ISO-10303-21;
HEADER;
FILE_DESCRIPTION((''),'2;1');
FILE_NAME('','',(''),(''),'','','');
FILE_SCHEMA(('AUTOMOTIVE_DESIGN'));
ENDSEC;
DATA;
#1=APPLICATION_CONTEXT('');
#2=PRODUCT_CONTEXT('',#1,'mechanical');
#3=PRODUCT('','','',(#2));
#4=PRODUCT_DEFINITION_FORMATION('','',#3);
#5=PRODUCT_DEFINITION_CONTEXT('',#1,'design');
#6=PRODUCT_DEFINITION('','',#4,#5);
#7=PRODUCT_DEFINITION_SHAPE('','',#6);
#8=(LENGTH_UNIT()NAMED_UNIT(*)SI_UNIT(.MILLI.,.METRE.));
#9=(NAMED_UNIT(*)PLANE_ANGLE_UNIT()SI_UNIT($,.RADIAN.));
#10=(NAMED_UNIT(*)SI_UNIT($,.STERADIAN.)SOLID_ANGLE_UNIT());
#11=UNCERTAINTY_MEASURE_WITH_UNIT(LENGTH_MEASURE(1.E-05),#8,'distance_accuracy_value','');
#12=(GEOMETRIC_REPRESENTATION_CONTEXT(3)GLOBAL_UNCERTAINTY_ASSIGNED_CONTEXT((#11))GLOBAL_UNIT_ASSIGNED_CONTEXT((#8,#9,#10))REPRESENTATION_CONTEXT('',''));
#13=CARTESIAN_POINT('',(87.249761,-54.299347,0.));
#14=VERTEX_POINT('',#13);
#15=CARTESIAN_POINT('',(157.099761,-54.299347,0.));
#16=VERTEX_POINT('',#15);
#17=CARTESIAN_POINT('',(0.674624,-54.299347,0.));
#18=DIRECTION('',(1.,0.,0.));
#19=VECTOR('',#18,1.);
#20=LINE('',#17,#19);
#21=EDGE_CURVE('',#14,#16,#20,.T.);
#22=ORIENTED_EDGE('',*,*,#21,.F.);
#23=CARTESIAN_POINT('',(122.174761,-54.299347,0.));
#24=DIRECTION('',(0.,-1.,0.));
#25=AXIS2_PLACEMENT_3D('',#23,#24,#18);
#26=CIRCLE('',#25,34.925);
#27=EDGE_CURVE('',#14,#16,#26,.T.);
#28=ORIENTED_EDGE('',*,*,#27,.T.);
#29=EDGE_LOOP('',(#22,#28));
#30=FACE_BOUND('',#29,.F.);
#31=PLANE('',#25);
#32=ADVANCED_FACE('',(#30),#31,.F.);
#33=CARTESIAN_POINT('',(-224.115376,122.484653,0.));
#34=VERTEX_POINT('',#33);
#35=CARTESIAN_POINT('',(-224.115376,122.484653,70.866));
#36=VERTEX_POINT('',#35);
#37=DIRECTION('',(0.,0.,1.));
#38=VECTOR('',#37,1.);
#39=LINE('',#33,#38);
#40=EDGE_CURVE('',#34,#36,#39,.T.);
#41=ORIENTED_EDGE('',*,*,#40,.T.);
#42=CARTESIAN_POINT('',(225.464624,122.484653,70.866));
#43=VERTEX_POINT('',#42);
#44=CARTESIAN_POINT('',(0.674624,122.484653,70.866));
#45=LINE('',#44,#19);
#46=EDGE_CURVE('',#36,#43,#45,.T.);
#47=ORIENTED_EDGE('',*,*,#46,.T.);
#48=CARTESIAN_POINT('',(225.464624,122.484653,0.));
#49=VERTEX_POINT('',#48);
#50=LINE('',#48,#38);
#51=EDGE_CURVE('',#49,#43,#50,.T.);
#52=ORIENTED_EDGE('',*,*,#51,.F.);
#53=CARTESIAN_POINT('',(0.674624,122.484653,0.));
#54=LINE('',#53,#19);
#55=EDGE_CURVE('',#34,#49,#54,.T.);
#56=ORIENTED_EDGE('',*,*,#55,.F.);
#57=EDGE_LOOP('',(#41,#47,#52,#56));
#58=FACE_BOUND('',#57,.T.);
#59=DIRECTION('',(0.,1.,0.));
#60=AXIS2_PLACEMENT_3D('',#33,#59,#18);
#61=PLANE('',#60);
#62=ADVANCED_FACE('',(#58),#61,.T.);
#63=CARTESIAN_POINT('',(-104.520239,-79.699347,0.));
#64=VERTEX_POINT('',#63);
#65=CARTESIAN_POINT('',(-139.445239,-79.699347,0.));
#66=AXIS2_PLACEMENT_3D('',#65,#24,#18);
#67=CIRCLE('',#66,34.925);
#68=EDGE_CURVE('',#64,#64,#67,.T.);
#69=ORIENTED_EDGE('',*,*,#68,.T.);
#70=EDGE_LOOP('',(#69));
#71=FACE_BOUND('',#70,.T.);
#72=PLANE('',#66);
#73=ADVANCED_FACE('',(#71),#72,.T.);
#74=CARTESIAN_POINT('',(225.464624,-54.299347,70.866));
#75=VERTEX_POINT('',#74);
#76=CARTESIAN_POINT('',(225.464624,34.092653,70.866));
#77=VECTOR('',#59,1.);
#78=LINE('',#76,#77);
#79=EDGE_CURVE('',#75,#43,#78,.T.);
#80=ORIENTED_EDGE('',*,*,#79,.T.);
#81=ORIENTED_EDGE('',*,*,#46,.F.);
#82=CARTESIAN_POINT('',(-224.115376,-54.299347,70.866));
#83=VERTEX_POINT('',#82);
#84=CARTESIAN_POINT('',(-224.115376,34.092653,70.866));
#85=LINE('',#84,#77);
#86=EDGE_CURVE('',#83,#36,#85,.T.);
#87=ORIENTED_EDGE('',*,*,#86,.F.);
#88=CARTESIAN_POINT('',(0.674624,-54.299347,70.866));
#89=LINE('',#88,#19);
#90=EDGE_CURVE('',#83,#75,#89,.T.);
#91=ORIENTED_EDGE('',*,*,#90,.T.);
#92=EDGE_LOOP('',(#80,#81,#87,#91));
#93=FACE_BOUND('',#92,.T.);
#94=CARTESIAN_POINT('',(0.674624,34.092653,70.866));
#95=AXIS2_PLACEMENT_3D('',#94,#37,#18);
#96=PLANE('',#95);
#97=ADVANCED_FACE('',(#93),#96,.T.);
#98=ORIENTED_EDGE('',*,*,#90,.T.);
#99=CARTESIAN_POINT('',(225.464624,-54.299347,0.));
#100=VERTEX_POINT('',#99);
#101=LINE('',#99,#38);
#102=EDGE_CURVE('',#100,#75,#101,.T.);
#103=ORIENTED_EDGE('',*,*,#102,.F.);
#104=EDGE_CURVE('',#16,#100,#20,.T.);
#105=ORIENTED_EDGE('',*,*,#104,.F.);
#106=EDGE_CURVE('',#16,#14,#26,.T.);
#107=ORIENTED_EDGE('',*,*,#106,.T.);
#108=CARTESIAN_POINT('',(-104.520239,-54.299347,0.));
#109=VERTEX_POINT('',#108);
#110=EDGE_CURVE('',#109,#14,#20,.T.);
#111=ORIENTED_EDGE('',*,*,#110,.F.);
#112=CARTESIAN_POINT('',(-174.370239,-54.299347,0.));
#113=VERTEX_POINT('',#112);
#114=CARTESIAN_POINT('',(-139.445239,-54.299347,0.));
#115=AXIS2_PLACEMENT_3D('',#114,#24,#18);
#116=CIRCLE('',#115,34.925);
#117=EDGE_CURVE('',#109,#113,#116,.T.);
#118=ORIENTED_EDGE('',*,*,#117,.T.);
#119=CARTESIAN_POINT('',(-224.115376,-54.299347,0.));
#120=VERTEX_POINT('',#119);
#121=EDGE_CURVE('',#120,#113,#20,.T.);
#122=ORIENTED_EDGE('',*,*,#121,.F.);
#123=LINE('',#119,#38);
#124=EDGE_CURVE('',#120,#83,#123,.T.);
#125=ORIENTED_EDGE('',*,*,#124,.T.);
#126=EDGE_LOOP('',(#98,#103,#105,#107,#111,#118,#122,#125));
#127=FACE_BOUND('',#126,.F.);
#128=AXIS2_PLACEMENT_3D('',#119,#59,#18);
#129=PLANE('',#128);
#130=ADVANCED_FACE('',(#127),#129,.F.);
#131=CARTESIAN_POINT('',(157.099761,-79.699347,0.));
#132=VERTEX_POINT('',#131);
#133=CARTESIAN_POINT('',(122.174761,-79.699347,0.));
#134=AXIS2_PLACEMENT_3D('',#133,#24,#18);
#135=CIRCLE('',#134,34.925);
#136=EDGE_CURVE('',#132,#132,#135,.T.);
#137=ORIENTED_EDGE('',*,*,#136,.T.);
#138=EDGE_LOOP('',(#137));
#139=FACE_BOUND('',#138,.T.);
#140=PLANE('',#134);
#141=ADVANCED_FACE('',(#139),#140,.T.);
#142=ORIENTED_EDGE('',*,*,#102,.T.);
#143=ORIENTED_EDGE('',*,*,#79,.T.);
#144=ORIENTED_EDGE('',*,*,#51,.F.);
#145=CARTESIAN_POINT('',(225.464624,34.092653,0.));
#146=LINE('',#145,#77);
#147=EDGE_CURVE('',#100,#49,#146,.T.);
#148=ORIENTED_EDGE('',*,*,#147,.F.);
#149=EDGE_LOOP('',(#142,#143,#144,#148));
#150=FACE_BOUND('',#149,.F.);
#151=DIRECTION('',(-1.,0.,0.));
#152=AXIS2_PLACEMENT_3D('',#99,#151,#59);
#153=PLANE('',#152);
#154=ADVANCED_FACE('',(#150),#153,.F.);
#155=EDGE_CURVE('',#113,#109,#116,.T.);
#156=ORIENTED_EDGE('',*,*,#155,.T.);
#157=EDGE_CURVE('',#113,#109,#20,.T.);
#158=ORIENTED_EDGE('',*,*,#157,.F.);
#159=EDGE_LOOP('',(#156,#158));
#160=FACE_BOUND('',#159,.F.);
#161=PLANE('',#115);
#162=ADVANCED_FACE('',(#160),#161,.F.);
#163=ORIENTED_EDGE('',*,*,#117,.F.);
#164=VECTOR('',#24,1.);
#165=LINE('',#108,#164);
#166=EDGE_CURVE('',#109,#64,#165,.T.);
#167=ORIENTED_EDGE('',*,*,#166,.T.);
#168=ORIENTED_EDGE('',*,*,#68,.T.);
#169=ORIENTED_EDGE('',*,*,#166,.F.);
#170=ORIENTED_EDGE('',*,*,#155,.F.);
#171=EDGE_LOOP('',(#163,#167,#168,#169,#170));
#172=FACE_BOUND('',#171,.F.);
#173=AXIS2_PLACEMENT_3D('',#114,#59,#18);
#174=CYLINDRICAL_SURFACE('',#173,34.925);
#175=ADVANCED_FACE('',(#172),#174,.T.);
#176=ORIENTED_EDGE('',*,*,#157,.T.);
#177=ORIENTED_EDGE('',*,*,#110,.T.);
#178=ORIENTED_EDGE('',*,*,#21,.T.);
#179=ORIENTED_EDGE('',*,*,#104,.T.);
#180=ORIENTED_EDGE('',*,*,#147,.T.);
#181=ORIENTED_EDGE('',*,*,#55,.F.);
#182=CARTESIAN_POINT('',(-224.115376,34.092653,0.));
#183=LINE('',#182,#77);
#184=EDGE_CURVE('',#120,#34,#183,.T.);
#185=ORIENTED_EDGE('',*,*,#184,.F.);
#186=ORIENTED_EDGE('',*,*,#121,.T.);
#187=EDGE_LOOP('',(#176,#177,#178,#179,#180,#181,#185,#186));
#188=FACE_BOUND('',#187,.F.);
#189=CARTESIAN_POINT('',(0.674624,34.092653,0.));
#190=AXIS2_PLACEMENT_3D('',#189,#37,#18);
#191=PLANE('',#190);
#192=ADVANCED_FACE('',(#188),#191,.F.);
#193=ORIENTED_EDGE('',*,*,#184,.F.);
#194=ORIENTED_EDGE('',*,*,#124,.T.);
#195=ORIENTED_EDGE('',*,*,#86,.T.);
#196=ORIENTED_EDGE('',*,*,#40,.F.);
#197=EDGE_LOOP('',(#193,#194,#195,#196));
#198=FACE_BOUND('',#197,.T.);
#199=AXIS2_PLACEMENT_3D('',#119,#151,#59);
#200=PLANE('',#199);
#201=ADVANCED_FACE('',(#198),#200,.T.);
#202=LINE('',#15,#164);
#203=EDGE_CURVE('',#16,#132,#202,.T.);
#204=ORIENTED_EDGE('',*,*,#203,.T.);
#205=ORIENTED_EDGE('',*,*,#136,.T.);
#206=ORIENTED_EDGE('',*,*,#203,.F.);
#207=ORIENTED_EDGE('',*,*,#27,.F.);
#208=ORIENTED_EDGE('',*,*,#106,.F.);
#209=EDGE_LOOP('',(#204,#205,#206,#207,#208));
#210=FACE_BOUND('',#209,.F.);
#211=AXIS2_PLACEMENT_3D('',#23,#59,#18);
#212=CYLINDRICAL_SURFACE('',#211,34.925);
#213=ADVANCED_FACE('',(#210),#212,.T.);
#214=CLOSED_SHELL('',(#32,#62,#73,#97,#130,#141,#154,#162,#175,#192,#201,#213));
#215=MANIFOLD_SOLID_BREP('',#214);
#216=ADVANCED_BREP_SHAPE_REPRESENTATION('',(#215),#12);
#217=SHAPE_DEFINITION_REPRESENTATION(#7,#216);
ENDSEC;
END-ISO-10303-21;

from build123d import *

# Parameters (mm, degrees)
F0_W     = 449.58
F0_H     = 176.784
F1_DEPTH = 70.866
F2_R     = 34.925
F3_DEPTH = 25.4


with BuildPart() as f1:
    # F0 (on Top) → F1 (new body)
    with BuildSketch(Plane.XY):
        with Locations((0.674624, 34.092653)):
            Rectangle(F0_W, F0_H)
    extrude(amount=F1_DEPTH)

    # F2 (on face) → F3 (join)
    with BuildSketch(Plane.XZ.offset(54.299347)):
        with Locations((-139.445239, 0)):
            Circle(F2_R)
        with Locations((122.174761, 0)):
            Circle(F2_R)
    extrude(amount=F3_DEPTH)


solid = f1.part
